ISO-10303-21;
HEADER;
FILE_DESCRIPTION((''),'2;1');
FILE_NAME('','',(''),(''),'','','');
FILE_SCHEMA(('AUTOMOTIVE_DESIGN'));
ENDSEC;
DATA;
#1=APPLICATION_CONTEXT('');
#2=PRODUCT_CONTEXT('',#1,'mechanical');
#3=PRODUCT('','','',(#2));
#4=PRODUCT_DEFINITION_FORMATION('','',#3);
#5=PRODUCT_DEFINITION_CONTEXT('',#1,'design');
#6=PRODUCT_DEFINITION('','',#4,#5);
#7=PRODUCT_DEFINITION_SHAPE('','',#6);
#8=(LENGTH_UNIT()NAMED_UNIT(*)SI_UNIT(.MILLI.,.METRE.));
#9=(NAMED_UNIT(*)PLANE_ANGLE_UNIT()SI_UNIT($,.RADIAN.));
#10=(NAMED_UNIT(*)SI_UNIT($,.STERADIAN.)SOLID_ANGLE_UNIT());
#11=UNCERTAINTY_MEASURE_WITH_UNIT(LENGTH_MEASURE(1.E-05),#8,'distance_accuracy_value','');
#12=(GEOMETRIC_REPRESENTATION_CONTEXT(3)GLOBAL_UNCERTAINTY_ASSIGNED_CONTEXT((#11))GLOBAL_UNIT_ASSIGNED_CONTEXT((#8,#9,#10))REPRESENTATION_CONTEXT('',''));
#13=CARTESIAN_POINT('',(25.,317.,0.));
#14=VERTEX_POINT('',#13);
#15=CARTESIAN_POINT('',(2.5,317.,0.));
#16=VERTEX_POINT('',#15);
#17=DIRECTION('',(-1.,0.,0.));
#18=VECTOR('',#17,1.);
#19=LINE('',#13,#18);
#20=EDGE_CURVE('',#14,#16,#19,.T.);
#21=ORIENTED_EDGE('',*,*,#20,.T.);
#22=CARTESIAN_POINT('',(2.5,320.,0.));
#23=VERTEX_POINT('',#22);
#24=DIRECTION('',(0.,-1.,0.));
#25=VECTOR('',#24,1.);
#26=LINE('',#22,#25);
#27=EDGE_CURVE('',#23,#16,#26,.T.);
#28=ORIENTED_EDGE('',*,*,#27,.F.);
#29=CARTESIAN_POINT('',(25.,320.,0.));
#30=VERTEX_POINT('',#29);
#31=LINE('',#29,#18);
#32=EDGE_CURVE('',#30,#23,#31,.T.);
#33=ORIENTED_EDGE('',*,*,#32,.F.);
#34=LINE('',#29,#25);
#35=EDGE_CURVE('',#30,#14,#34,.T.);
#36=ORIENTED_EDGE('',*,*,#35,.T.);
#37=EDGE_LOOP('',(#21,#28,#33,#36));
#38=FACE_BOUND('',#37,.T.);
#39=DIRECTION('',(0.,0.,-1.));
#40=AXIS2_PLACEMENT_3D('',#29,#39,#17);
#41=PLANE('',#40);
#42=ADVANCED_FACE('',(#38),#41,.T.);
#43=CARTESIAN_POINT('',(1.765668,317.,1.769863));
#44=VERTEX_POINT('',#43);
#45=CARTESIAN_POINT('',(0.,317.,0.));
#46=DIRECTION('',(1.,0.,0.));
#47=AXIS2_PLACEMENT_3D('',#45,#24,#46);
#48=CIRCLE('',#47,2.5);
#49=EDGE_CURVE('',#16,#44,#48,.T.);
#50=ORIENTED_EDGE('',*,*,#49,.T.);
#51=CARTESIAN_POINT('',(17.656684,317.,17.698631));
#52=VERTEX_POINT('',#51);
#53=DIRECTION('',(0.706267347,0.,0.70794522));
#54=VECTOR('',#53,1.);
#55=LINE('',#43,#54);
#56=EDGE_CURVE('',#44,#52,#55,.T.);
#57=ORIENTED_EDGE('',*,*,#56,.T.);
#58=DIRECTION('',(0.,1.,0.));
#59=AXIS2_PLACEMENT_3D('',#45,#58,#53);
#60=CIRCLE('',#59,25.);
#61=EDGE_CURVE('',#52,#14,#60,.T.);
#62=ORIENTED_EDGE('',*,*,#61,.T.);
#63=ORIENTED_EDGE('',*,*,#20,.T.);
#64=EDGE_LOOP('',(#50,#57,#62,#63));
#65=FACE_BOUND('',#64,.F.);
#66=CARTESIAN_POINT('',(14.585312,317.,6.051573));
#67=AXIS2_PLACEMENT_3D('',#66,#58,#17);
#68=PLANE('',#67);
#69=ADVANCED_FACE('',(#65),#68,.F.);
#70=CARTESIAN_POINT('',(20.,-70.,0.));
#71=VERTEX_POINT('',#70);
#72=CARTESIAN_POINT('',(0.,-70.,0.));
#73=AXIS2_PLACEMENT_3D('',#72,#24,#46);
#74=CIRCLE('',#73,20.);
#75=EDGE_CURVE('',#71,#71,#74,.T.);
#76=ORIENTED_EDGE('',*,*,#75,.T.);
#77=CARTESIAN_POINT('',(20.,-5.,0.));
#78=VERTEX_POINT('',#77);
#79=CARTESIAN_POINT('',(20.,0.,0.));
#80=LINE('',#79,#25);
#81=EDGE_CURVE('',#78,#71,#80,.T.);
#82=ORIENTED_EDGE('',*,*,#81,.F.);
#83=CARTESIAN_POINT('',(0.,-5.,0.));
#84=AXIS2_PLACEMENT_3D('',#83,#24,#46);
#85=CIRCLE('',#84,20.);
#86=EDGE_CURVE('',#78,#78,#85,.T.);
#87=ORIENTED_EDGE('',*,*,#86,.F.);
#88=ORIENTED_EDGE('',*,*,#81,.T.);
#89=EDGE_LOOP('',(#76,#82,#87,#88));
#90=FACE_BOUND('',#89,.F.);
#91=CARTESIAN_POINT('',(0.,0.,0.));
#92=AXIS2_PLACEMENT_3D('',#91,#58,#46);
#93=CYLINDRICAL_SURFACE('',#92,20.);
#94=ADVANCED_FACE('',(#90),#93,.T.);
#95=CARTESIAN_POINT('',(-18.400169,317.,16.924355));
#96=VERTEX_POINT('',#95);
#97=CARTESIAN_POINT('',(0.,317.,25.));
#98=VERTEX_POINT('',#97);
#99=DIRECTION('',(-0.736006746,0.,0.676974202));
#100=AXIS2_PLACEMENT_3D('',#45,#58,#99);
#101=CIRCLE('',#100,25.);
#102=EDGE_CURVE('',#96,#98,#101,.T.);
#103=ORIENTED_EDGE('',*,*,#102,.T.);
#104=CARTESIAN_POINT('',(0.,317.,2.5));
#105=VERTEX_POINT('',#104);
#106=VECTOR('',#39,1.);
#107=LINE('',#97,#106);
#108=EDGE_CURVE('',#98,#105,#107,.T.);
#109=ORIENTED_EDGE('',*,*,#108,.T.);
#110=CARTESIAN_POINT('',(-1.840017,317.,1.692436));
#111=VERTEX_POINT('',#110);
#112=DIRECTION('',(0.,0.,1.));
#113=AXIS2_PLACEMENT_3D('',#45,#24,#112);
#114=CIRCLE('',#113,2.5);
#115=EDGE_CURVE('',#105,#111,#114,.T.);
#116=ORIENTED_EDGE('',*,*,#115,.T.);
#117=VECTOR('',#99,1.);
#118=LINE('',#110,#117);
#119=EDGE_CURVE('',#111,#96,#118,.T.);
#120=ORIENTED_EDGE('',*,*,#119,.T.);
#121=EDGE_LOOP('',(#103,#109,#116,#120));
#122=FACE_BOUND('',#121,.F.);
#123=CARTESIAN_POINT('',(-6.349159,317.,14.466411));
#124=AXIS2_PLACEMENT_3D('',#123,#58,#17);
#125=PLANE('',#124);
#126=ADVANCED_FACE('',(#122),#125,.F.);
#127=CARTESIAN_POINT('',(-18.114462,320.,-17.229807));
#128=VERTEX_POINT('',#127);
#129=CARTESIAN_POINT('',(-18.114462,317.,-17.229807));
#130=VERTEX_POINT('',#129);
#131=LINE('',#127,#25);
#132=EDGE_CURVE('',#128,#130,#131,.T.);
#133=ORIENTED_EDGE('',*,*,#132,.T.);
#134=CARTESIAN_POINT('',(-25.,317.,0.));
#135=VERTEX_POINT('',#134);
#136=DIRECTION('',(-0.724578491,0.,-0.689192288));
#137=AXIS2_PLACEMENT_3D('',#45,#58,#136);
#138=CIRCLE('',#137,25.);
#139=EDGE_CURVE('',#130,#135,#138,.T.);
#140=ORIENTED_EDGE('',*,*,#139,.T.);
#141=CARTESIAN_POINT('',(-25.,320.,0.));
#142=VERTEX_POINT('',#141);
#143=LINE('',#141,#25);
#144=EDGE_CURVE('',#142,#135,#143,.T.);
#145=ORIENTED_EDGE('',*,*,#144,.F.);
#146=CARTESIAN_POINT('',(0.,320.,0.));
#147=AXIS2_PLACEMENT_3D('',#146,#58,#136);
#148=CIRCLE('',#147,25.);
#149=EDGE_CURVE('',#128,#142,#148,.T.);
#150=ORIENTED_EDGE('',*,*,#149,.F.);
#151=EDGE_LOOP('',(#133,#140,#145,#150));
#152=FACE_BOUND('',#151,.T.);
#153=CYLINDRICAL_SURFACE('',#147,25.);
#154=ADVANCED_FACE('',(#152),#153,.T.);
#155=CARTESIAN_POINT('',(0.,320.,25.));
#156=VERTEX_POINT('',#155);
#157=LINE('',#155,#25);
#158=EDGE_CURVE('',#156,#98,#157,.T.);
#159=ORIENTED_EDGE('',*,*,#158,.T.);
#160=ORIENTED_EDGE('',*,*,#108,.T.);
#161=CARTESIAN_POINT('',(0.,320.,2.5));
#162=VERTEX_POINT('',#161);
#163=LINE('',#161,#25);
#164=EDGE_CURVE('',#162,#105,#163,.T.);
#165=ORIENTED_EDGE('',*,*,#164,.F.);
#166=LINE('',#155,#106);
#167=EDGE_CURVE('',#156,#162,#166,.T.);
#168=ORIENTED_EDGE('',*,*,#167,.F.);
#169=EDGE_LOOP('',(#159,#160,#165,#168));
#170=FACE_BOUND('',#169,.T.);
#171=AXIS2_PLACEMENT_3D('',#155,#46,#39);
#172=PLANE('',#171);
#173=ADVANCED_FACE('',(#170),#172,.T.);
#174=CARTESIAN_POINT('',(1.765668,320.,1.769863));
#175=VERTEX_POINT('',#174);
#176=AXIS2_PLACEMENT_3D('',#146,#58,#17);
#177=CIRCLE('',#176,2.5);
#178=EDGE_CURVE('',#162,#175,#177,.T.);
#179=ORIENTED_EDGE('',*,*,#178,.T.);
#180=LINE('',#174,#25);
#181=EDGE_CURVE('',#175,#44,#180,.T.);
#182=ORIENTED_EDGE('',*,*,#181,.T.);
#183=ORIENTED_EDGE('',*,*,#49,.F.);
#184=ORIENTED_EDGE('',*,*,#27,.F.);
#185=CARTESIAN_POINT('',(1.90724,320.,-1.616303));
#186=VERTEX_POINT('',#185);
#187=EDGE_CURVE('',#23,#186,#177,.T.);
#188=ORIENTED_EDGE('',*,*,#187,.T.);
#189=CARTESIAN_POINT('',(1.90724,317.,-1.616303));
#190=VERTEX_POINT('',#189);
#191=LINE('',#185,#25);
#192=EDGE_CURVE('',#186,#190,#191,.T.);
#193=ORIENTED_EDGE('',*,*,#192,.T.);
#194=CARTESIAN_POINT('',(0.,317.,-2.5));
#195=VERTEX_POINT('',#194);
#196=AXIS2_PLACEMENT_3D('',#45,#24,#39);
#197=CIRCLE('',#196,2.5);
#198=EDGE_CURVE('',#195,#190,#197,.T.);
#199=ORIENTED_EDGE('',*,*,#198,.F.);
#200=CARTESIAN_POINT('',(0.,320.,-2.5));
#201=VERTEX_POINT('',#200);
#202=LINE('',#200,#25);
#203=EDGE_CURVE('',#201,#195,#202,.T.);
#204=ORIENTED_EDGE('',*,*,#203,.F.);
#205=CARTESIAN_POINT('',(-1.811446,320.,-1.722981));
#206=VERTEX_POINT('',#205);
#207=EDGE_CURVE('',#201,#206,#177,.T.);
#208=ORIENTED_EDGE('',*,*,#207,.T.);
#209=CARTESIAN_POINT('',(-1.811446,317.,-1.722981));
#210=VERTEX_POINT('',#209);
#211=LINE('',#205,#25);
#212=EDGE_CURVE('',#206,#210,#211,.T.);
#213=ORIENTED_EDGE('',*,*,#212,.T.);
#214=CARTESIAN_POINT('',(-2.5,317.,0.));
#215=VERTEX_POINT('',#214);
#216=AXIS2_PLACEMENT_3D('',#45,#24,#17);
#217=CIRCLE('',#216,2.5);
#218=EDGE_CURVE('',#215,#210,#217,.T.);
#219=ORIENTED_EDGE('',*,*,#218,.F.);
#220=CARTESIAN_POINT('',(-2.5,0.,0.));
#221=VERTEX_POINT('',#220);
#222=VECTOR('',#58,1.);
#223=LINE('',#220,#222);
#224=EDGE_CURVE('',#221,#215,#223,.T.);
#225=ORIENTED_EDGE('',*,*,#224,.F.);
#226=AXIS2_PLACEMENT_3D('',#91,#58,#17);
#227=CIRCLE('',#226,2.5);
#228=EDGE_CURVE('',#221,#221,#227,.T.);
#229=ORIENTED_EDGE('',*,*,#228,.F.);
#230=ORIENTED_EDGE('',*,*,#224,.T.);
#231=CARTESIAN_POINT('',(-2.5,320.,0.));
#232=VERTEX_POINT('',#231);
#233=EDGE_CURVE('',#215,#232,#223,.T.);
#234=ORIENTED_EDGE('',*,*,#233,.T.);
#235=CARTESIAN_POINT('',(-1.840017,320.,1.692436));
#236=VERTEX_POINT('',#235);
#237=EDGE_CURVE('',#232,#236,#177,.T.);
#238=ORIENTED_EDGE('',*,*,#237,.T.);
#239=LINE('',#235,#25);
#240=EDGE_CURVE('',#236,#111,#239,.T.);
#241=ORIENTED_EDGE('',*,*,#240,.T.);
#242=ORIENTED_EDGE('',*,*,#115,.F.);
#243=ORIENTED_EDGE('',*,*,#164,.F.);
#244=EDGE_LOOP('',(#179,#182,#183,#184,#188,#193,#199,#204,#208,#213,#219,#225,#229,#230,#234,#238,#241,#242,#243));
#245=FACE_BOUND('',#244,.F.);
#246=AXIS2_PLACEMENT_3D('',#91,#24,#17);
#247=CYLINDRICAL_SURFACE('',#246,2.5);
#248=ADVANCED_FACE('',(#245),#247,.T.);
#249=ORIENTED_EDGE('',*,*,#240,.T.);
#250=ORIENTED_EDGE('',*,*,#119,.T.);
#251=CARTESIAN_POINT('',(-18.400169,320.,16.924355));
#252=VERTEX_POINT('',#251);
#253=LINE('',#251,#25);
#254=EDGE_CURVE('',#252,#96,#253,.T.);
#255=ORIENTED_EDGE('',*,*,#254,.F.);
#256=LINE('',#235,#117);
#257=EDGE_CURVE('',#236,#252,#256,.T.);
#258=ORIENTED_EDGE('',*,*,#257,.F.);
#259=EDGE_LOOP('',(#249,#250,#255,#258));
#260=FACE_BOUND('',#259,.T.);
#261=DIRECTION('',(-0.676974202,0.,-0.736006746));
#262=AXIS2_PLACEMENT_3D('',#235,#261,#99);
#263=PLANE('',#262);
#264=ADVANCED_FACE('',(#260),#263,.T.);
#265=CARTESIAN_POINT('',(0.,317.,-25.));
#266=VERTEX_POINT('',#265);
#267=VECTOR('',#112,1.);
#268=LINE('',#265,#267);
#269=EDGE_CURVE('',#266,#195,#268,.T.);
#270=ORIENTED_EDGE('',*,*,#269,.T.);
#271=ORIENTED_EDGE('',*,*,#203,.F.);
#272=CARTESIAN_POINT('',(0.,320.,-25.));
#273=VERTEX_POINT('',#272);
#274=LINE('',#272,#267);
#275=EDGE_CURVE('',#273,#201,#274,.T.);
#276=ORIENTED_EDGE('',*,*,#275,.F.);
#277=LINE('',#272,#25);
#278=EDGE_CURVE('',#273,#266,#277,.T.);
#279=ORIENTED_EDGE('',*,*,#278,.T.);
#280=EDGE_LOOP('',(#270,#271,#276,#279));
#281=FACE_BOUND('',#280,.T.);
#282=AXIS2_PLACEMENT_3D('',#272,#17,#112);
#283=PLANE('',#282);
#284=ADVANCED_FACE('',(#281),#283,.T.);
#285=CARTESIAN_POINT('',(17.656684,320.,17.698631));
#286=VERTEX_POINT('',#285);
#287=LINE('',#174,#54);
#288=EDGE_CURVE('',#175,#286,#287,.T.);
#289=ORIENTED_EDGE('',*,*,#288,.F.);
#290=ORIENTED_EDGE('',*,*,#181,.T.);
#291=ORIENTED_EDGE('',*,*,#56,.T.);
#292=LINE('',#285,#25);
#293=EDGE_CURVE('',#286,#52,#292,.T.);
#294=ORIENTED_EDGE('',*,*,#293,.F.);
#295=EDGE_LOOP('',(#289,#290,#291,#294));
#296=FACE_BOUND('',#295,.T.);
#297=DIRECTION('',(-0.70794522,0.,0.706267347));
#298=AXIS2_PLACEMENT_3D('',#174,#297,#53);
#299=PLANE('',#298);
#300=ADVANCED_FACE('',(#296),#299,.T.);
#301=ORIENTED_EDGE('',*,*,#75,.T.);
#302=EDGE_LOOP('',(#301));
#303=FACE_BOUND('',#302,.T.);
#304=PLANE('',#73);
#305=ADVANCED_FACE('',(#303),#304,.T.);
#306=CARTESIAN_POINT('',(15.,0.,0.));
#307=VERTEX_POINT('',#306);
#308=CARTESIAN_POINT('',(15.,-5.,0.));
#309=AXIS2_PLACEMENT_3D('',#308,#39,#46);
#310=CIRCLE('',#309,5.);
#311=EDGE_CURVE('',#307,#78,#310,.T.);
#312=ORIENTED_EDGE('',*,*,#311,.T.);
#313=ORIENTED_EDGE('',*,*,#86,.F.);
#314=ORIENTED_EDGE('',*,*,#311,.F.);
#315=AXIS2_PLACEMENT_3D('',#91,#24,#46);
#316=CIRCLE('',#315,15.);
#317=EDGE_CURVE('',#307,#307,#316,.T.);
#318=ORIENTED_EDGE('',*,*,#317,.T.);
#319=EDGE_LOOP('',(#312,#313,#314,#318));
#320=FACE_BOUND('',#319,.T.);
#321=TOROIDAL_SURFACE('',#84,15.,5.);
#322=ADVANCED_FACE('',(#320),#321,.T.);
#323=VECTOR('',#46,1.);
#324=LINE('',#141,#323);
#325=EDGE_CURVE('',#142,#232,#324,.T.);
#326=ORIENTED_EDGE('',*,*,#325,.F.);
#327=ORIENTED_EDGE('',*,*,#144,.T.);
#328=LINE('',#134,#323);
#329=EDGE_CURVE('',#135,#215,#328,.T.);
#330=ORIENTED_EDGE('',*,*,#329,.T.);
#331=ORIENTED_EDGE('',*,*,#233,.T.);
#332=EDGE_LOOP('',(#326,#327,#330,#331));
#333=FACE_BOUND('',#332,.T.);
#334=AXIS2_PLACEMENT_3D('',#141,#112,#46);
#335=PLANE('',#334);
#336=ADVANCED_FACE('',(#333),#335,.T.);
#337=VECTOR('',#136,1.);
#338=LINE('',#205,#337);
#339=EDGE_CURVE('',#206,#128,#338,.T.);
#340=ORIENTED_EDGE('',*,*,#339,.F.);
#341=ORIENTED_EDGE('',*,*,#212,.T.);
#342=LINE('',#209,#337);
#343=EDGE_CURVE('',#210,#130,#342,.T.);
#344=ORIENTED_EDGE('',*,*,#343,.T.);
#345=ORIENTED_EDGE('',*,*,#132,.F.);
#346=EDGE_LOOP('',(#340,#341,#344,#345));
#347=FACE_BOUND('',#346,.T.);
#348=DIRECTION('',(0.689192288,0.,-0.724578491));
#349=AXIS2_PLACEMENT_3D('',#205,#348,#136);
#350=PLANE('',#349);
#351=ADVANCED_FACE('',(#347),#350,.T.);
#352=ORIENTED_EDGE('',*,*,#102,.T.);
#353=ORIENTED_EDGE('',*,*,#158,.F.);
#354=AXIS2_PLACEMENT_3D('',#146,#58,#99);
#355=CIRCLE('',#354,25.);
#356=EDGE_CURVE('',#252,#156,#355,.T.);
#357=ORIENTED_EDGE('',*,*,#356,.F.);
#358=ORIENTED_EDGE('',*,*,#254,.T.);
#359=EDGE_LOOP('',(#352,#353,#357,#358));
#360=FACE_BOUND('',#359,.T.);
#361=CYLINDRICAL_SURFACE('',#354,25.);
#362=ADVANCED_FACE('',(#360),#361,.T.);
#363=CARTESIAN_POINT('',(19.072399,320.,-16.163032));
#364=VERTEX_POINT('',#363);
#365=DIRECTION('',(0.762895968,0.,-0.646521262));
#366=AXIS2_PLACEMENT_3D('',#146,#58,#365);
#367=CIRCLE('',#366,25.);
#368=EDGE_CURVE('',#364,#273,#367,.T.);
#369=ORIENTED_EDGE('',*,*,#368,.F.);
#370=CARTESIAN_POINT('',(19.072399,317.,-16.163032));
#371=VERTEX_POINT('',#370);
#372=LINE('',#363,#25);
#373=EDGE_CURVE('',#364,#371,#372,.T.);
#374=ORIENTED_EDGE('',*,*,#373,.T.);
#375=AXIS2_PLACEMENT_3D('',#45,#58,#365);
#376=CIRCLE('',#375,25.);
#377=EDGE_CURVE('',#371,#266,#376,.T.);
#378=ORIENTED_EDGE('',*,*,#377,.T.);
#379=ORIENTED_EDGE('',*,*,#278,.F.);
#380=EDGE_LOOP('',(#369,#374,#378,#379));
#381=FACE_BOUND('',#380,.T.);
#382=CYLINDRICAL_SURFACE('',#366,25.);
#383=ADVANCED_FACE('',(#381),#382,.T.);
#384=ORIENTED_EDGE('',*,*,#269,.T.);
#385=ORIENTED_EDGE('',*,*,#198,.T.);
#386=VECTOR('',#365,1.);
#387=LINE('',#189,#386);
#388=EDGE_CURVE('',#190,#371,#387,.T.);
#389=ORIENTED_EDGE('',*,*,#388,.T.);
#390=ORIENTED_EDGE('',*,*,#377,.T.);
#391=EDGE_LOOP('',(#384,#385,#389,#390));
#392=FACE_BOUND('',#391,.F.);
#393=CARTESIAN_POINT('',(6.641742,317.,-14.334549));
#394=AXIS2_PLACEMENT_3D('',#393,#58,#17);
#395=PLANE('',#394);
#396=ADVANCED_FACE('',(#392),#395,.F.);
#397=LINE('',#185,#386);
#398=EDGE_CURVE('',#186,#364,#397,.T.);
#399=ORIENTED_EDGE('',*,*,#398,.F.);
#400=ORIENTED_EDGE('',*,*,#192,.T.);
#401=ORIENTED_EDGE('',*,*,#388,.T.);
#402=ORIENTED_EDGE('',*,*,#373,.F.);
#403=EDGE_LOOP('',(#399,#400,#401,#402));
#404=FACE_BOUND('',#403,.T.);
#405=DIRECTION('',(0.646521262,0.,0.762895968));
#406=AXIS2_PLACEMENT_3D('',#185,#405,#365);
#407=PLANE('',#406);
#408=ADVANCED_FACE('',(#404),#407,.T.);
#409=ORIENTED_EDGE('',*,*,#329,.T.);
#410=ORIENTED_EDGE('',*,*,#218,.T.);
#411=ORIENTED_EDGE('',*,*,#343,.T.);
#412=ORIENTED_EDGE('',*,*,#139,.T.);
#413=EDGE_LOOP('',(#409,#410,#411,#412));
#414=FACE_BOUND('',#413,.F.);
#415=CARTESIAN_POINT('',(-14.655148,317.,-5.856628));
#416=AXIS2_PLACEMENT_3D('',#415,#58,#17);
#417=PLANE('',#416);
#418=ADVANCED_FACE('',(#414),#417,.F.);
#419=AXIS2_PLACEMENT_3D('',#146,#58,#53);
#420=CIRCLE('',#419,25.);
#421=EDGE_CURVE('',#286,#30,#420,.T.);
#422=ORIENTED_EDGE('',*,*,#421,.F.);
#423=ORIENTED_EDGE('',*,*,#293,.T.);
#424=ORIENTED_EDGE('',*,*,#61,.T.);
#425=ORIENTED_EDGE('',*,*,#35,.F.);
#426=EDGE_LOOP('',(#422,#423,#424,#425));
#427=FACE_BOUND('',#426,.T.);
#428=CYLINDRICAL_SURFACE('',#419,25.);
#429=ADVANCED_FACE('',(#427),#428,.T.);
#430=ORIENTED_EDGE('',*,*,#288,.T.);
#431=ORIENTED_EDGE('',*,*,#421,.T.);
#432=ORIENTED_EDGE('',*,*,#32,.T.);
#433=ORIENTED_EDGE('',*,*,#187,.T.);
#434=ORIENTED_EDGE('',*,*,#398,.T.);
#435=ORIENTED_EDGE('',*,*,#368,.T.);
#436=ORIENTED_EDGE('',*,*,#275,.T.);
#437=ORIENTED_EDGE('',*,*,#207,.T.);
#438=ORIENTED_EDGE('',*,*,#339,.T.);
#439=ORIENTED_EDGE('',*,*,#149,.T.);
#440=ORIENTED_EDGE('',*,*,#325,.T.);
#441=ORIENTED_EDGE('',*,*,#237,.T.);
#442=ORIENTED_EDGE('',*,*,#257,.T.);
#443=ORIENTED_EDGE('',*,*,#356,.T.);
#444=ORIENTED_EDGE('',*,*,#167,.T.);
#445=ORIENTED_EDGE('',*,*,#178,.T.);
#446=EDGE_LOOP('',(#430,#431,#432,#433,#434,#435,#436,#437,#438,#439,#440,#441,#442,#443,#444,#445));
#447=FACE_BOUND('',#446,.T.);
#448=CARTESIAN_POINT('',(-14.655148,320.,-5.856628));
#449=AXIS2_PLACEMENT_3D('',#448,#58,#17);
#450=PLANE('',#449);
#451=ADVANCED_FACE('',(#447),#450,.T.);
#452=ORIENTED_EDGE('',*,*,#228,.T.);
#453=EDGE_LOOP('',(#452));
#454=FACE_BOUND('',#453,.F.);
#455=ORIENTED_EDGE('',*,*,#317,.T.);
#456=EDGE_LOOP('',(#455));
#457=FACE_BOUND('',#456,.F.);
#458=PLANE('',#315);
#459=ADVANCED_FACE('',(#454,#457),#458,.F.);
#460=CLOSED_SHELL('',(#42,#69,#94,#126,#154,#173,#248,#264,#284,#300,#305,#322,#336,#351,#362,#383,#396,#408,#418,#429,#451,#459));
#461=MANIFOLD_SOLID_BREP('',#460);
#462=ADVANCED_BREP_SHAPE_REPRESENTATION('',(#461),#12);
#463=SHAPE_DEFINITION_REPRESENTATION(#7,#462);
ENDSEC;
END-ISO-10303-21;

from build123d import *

# Parameters (mm, degrees)
F0_R     = 20
F1_DEPTH = 70
F2_R     = 2.5
F3_DEPTH = 320
F5_DEPTH = 3
F6_R     = 5


with BuildPart() as f1:
    # F0 (on Front) → F1 (new body)
    with BuildSketch(Plane.XZ):
        Circle(F0_R)
    extrude(amount=F1_DEPTH)

    # F2 (on face) → F3 (join)
    with BuildSketch(Plane(origin=(0, 0, 0), x_dir=(-1, 0, 0), z_dir=(0, 1, 0))):
        Circle(F2_R)
    extrude(amount=F3_DEPTH)

    # F4 (on face) → F5 (join)
    with BuildSketch(Plane(origin=(0, 320, 0), x_dir=(-1, 0, 0), z_dir=(0, 1, 0))):
        with BuildLine():
            Line((1.8400168651, 1.6924355043), (18.4001686511, 16.9243550427))
            ThreePointArc((18.4001686511, 16.9243550427), (10.0471668626, 22.8922353219), (0, 25))
            Line((0, 25), (0, 2.5))
            ThreePointArc((0, 2.5), (1.0047166863, 2.2892235322), (1.8400168651, 1.6924355043))
        make_face()
        with BuildLine():
            ThreePointArc((18.1144622727, -17.2298072122), (23.2148826921, -9.2773499229), (25, 0))
            Line((25, 0), (2.5, 0))
            ThreePointArc((2.5, 0), (2.3214882692, -0.9277349923), (1.8114462273, -1.7229807212))
            Line((1.8114462273, -1.7229807212), (18.1144622727, -17.2298072122))
        make_face()
        with BuildLine():
            ThreePointArc((-19.0723992016, -16.163031544), (-10.5100954182, -22.6834277458), (0, -25))
            Line((0, -25), (0, -2.5))
            ThreePointArc((0, -2.5), (-1.0510095418, -2.2683427746), (-1.9072399202, -1.6163031544))
            Line((-1.9072399202, -1.6163031544), (-19.0723992016, -16.163031544))
        make_face()
        with BuildLine():
            Line((-1.765668367, 1.7698630505), (-17.6566836704, 17.6986305053))
            ThreePointArc((-17.6566836704, 17.6986305053), (-23.0913088819, 9.5807856734), (-25, 0))
            Line((-25, 0), (-2.5, 0))
            ThreePointArc((-2.5, 0), (-2.3091308882, 0.9580785673), (-1.765668367, 1.7698630505))
        make_face()
    extrude(amount=-F5_DEPTH)

    # F6
    f6_edges = [f1.edges().sort_by_distance(p)[0] for p in [
        (-20, 0, 0),
    ]]
    fillet(f6_edges, radius=F6_R)


solid = f1.part
